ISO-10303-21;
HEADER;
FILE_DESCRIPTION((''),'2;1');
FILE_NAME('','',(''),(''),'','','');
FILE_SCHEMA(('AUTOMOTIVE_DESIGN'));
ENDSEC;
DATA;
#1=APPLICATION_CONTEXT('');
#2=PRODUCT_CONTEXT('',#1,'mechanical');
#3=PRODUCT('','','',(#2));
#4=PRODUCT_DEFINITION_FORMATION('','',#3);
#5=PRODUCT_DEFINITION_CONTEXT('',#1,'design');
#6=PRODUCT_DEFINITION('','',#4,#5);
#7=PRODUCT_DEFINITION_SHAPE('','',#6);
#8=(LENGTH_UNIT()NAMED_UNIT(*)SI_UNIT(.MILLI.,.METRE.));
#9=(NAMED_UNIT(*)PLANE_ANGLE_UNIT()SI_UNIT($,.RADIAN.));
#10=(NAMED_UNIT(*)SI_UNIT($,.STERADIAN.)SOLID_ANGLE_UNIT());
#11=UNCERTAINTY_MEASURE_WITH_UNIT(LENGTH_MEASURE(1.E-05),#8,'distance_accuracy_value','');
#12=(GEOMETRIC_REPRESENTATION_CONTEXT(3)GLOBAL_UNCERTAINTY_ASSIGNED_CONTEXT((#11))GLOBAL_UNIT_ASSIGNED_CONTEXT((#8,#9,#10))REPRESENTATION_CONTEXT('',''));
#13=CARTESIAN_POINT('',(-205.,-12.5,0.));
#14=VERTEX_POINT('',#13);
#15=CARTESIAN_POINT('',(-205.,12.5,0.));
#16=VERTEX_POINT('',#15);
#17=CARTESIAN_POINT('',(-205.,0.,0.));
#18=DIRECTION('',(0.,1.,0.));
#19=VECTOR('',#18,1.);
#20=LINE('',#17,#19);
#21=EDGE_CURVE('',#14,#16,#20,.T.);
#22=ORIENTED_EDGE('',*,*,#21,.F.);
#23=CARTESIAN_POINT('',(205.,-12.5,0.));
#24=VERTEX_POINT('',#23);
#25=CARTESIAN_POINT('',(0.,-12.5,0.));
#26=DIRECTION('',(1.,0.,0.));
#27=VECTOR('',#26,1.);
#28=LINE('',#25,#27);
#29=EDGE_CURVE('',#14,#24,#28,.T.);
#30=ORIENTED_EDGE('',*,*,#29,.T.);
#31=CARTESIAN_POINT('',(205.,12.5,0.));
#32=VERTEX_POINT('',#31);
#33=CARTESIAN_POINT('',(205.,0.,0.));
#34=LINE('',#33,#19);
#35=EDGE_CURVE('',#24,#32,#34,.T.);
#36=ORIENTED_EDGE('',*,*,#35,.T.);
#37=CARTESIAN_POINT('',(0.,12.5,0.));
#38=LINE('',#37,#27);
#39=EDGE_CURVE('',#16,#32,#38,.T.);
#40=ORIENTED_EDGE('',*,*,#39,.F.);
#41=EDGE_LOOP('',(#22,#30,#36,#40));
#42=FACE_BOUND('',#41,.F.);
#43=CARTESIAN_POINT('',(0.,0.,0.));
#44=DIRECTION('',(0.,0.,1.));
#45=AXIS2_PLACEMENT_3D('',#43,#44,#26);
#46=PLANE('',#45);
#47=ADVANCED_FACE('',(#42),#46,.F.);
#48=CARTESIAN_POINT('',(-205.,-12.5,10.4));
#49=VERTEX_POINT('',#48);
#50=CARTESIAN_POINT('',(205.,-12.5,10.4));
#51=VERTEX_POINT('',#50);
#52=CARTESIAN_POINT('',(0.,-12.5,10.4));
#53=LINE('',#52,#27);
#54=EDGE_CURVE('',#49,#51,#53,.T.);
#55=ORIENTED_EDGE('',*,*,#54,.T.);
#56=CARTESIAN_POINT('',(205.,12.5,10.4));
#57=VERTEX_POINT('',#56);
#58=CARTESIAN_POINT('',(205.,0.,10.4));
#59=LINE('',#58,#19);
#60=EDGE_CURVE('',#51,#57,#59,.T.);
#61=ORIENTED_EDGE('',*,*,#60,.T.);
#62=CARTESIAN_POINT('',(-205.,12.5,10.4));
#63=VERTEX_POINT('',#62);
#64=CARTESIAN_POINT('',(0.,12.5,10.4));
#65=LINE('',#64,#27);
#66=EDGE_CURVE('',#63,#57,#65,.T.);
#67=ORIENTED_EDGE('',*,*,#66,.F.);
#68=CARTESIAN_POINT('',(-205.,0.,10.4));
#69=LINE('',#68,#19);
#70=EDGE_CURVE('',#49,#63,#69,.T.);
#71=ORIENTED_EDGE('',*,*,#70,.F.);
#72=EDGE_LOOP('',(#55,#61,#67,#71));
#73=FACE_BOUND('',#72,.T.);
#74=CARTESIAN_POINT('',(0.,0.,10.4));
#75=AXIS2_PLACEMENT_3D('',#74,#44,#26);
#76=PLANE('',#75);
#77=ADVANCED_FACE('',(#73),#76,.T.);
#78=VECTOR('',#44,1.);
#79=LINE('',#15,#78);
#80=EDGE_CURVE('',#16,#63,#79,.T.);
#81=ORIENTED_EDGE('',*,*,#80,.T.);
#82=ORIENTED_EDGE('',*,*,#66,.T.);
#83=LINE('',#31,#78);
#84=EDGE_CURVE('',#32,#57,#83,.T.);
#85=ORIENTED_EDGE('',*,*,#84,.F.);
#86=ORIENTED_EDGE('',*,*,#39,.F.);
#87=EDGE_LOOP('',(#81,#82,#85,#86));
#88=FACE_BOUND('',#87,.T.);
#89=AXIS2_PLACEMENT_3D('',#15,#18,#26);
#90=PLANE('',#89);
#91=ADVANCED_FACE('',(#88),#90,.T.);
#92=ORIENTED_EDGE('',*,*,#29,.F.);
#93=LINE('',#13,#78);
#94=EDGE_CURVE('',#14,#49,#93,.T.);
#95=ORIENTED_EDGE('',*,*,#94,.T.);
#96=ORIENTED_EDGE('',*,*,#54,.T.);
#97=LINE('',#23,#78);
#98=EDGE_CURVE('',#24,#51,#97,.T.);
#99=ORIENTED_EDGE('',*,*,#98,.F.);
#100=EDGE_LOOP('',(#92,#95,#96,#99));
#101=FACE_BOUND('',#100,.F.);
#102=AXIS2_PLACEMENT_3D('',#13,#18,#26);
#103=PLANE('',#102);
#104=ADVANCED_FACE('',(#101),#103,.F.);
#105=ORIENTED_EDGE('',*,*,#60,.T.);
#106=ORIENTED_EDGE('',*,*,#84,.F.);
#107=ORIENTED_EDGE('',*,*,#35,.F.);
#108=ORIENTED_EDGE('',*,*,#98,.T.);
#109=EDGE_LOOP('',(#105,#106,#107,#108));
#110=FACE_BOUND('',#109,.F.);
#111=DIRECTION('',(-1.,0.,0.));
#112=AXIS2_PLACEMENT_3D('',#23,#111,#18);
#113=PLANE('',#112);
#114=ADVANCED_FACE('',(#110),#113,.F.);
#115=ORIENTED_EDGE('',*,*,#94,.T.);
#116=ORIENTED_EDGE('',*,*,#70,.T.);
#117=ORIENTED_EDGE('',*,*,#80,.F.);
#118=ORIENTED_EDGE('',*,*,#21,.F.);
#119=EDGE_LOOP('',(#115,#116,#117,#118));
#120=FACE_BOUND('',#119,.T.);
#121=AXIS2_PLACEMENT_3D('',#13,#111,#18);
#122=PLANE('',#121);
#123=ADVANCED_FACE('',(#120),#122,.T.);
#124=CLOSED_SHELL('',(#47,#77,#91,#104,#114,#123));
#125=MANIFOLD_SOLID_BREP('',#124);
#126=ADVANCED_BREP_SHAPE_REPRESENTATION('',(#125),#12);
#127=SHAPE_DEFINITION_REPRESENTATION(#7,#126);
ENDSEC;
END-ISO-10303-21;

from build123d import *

# Parameters (mm, degrees)
SKETCH_W  = 410
SKETCH_H  = 25
PAD_DEPTH = 10.4


with BuildPart() as part:
    # Sketch → Pad (new body)
    with BuildSketch(Plane.XY):
        Rectangle(SKETCH_W, SKETCH_H)
    extrude(amount=PAD_DEPTH)


solid = part.part
